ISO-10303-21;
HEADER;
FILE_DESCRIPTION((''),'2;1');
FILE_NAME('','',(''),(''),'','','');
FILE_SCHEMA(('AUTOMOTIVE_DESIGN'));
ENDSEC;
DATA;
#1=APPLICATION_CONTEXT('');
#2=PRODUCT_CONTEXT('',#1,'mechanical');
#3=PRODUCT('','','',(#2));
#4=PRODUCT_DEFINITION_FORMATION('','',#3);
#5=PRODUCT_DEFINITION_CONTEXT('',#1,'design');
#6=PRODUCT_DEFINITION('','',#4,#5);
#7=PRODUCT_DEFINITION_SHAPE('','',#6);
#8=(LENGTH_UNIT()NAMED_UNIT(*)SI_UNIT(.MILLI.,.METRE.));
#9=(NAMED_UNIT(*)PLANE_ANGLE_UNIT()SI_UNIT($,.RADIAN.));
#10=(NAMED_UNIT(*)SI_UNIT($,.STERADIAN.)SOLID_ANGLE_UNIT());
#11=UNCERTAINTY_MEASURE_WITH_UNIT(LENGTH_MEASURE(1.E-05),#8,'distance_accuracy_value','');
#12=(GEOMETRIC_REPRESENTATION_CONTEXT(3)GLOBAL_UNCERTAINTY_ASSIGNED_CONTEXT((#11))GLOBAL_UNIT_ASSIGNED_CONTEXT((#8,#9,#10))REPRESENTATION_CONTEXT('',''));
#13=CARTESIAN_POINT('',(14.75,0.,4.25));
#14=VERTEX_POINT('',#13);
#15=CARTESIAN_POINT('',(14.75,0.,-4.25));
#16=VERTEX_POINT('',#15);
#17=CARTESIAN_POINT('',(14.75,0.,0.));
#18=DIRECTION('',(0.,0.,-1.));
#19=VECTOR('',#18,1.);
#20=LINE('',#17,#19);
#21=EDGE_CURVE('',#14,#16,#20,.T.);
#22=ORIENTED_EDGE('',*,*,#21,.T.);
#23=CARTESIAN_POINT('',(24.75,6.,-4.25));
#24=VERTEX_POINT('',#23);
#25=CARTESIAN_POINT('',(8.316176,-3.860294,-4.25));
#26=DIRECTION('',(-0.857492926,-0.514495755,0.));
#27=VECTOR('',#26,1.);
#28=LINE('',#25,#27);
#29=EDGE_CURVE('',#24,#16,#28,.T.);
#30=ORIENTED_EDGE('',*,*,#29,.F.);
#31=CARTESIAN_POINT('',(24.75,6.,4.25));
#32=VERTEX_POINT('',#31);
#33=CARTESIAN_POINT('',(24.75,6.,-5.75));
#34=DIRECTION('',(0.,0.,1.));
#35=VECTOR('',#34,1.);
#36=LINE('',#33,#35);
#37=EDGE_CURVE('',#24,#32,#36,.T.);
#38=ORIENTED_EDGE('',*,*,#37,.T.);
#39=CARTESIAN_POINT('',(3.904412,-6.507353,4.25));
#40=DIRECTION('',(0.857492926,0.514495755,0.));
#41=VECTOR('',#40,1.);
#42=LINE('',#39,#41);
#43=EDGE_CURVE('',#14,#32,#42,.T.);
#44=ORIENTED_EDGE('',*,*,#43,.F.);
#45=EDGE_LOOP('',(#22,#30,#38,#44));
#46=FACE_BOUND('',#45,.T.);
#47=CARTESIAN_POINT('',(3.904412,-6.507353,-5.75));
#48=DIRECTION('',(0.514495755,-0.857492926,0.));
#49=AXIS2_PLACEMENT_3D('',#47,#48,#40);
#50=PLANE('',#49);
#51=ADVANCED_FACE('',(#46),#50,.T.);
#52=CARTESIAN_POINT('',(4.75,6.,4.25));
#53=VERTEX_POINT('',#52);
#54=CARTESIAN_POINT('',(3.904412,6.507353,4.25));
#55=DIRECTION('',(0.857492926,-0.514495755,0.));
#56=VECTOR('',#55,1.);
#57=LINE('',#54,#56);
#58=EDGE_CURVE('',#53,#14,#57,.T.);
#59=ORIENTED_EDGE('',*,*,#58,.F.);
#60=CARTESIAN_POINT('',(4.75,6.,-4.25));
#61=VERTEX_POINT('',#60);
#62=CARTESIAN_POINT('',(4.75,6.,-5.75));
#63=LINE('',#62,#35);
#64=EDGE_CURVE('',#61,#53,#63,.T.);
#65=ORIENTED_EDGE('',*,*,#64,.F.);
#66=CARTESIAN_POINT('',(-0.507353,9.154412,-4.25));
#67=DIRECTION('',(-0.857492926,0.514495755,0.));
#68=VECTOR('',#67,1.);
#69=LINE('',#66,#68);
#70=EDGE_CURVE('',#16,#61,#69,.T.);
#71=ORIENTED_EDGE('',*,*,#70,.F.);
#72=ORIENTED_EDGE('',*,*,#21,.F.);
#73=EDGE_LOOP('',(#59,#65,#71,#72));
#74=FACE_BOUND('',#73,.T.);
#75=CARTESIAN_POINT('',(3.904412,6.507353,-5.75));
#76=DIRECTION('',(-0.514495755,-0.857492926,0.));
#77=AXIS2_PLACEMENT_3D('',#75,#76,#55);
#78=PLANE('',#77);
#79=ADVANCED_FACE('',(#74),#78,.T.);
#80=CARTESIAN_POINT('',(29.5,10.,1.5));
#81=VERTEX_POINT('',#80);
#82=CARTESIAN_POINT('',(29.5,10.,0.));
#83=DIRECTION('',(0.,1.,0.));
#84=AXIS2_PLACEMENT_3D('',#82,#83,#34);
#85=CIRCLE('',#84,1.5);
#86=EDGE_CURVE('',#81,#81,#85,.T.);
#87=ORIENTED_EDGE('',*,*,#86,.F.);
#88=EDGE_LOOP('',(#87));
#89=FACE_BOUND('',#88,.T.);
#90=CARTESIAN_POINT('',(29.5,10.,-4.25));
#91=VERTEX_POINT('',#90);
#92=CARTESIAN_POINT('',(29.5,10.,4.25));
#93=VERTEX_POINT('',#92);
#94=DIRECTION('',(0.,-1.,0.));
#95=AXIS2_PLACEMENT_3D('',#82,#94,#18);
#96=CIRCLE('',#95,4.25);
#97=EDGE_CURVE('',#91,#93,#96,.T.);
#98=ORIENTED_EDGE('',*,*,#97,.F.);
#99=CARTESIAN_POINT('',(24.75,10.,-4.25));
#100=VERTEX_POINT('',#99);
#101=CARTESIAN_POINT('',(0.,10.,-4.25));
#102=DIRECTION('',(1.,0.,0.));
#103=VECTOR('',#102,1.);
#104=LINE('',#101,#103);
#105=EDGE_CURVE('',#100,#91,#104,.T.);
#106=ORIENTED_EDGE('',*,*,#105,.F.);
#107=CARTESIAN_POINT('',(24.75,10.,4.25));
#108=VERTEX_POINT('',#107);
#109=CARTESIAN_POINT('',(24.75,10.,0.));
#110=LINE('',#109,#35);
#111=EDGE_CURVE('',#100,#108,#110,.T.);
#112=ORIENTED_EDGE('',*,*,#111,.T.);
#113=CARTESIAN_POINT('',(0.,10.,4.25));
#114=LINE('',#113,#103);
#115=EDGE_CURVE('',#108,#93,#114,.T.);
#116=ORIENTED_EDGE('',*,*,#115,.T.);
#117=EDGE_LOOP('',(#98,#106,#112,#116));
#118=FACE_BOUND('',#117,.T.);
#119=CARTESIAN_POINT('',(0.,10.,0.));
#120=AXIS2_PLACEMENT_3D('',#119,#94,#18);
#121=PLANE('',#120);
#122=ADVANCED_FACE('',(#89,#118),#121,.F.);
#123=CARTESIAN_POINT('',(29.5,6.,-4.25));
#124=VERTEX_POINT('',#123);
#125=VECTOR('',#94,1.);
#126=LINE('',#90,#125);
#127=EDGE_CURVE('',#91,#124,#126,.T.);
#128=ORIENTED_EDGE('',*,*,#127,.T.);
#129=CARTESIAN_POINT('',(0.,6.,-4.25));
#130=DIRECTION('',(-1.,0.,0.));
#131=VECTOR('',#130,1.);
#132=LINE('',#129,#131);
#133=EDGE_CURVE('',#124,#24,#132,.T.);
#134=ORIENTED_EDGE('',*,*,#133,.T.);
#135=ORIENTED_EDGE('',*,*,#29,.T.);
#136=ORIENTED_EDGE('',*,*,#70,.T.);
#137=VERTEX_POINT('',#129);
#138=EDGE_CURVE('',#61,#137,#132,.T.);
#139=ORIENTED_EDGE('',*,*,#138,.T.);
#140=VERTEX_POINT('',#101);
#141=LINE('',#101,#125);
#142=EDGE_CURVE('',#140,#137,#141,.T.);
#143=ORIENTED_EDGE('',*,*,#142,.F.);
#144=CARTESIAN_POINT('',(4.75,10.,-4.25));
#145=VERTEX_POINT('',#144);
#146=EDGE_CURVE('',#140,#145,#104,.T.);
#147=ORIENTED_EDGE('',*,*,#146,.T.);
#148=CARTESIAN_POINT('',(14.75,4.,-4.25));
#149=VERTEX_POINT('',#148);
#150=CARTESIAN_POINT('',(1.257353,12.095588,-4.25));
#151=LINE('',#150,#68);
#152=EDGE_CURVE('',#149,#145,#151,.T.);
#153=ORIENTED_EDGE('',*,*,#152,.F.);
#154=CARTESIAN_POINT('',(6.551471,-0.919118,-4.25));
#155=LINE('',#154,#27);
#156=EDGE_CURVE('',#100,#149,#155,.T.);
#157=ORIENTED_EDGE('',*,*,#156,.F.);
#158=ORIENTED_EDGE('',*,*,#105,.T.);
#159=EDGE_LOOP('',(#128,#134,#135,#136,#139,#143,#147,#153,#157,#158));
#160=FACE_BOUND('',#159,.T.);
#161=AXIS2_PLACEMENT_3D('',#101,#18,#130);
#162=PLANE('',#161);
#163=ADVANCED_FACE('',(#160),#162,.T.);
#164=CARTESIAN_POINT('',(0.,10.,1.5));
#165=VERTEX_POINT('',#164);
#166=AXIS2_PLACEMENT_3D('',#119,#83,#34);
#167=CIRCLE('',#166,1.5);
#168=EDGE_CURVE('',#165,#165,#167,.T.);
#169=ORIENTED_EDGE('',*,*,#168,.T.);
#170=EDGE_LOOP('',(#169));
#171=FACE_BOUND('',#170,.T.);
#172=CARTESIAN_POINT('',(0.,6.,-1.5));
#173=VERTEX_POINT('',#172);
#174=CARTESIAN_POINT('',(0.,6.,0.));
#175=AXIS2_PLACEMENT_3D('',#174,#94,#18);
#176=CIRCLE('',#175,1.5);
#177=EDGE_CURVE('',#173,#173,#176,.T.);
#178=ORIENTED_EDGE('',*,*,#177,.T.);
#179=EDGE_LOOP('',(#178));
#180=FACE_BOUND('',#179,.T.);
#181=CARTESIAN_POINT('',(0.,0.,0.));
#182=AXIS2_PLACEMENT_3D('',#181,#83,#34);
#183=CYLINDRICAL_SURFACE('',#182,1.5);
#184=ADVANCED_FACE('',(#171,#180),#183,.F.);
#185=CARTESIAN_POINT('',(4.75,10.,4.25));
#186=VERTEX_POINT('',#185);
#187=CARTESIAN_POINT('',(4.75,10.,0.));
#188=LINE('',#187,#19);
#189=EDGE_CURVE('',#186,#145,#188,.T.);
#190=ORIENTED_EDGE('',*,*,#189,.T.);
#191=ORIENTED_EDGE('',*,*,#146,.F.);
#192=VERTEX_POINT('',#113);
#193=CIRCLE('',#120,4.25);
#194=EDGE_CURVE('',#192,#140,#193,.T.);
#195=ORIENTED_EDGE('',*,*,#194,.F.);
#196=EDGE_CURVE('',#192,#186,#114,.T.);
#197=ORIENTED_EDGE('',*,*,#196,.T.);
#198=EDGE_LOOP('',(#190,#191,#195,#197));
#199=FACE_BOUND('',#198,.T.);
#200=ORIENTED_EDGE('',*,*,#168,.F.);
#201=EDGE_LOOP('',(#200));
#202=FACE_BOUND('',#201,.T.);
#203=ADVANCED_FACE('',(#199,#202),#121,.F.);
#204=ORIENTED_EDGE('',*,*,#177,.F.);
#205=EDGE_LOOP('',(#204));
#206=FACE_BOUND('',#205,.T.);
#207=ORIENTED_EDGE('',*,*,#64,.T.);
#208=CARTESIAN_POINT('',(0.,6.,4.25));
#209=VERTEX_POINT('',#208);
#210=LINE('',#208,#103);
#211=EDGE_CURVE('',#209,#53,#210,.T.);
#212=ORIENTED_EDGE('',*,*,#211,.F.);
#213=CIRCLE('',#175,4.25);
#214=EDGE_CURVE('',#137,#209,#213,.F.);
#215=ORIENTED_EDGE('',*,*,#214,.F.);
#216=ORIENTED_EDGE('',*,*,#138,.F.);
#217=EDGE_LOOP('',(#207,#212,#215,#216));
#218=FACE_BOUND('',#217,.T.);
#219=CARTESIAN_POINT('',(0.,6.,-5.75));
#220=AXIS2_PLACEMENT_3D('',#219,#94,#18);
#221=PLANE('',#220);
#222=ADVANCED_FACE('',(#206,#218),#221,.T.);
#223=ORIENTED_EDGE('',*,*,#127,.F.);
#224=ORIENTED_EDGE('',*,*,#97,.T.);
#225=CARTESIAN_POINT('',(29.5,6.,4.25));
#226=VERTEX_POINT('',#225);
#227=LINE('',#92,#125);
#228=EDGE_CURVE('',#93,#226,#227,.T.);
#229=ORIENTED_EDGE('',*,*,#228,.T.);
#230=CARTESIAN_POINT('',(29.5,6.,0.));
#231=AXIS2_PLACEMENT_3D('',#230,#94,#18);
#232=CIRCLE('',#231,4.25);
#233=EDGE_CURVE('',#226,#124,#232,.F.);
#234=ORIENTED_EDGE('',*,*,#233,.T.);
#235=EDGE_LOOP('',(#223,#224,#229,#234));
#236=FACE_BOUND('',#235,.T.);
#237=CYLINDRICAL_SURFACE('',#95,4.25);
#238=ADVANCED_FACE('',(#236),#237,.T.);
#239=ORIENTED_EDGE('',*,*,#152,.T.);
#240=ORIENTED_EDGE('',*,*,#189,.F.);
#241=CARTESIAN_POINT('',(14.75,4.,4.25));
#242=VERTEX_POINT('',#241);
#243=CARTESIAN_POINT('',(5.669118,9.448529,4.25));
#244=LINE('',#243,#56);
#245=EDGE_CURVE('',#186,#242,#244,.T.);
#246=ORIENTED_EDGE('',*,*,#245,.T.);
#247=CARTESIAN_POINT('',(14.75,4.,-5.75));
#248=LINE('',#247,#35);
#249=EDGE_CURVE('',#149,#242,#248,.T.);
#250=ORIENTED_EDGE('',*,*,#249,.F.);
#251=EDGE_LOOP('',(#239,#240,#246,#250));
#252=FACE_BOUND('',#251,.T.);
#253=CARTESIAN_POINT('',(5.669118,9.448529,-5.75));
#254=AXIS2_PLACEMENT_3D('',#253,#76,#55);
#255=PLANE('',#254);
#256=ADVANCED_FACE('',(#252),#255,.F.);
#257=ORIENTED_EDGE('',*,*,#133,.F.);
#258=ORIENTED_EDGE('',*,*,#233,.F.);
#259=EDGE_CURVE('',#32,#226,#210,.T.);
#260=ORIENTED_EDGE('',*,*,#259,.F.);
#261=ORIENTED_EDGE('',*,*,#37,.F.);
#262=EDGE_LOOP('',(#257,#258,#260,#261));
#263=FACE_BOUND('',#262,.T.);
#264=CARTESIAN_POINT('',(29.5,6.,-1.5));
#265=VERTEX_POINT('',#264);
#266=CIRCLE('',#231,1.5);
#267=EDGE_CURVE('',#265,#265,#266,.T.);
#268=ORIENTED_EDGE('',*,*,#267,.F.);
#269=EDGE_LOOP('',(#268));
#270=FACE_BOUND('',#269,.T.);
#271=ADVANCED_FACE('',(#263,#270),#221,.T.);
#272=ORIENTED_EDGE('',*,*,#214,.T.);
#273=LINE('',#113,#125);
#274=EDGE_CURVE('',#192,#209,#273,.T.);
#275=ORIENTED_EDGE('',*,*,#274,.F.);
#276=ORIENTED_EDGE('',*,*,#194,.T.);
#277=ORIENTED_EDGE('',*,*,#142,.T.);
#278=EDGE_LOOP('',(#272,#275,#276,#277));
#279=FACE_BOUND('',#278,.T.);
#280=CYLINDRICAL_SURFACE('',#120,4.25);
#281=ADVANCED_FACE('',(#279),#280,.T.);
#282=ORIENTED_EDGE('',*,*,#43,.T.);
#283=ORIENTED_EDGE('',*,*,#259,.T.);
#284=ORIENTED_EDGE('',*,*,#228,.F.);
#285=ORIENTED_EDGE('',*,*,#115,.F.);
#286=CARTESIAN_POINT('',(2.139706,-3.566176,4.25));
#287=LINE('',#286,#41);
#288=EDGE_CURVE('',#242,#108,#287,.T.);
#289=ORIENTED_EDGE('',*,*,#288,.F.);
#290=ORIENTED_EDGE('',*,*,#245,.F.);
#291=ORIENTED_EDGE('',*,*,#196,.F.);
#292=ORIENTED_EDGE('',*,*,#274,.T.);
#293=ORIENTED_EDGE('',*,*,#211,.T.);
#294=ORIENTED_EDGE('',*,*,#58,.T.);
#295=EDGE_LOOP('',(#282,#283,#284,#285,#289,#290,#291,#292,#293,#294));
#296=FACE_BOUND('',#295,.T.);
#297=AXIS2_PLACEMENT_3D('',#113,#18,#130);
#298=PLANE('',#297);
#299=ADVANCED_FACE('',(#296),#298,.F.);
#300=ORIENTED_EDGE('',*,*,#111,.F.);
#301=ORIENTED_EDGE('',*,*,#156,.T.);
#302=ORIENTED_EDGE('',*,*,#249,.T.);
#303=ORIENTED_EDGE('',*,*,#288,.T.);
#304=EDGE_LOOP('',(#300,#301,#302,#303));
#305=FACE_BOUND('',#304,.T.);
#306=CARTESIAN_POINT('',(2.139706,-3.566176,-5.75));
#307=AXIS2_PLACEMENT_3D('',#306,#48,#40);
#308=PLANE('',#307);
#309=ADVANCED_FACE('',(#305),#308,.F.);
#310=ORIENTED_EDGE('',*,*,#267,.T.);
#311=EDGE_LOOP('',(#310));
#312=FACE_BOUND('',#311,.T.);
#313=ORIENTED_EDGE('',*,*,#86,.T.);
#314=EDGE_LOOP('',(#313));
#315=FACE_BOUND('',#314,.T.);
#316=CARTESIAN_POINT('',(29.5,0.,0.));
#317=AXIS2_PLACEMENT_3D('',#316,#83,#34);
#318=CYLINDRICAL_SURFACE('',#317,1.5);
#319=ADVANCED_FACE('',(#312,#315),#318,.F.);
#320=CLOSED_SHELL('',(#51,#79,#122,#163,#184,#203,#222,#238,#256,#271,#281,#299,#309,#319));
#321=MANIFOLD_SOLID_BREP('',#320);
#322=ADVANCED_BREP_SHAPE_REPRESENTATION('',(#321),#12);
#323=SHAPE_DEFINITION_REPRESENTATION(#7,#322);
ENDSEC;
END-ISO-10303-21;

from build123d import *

# Parameters (mm, degrees)
BOSS_EXTRUDE1_DEPTH = 10
SKETCH3_W           = 4.25
SKETCH3_H           = 6
CUT_EXTRUDE1_DEPTH  = 10
SKETCH4_R           = 1.5
CUT_EXTRUDE2_DEPTH  = 11


with BuildPart() as part:
    # Sketch2 → Boss-Extrude1 (new body)
    with BuildSketch(Plane(origin=(0, 0, 0), x_dir=(1, 0, 0), z_dir=(0, 1, 0))):
        with BuildLine():
            Line((0, -4.25), (29.5, -4.25))
            ThreePointArc((29.5, -4.25), (33.75, 0), (29.5, 4.25))
            Line((29.5, 4.25), (0, 4.25))
            ThreePointArc((0, 4.25), (-4.25, 0), (0, -4.25))
        make_face()
    extrude(amount=BOSS_EXTRUDE1_DEPTH)

    # Sketch3 → Cut-Extrude1 (cut)
    with BuildSketch(Plane.XY.offset(4.25)):
        Polygon((24.75, 10), (4.75, 10), (14.75, 4), align=None)
        Polygon((4.75, 6), (0, 6), (0, 0), (14.75, 0), align=None)
        with Locations((-2.125, 3)):
            Rectangle(SKETCH3_W, SKETCH3_H)
        Polygon((29.5, 0), (29.5, 6), (24.75, 6), (14.75, 0), align=None)
        with Locations((31.625, 3)):
            Rectangle(SKETCH3_W, SKETCH3_H)
    extrude(amount=-CUT_EXTRUDE1_DEPTH, mode=Mode.SUBTRACT)

    # Sketch4 → Cut-Extrude2 (cut, through all)
    with BuildSketch(Plane(origin=(0, 10, 0), x_dir=(1, 0, 0), z_dir=(0, 1, 0))):
        Circle(SKETCH4_R)
        with Locations((29.5, 0)):
            Circle(SKETCH4_R)
    extrude(amount=-CUT_EXTRUDE2_DEPTH, mode=Mode.SUBTRACT)


solid = part.part
